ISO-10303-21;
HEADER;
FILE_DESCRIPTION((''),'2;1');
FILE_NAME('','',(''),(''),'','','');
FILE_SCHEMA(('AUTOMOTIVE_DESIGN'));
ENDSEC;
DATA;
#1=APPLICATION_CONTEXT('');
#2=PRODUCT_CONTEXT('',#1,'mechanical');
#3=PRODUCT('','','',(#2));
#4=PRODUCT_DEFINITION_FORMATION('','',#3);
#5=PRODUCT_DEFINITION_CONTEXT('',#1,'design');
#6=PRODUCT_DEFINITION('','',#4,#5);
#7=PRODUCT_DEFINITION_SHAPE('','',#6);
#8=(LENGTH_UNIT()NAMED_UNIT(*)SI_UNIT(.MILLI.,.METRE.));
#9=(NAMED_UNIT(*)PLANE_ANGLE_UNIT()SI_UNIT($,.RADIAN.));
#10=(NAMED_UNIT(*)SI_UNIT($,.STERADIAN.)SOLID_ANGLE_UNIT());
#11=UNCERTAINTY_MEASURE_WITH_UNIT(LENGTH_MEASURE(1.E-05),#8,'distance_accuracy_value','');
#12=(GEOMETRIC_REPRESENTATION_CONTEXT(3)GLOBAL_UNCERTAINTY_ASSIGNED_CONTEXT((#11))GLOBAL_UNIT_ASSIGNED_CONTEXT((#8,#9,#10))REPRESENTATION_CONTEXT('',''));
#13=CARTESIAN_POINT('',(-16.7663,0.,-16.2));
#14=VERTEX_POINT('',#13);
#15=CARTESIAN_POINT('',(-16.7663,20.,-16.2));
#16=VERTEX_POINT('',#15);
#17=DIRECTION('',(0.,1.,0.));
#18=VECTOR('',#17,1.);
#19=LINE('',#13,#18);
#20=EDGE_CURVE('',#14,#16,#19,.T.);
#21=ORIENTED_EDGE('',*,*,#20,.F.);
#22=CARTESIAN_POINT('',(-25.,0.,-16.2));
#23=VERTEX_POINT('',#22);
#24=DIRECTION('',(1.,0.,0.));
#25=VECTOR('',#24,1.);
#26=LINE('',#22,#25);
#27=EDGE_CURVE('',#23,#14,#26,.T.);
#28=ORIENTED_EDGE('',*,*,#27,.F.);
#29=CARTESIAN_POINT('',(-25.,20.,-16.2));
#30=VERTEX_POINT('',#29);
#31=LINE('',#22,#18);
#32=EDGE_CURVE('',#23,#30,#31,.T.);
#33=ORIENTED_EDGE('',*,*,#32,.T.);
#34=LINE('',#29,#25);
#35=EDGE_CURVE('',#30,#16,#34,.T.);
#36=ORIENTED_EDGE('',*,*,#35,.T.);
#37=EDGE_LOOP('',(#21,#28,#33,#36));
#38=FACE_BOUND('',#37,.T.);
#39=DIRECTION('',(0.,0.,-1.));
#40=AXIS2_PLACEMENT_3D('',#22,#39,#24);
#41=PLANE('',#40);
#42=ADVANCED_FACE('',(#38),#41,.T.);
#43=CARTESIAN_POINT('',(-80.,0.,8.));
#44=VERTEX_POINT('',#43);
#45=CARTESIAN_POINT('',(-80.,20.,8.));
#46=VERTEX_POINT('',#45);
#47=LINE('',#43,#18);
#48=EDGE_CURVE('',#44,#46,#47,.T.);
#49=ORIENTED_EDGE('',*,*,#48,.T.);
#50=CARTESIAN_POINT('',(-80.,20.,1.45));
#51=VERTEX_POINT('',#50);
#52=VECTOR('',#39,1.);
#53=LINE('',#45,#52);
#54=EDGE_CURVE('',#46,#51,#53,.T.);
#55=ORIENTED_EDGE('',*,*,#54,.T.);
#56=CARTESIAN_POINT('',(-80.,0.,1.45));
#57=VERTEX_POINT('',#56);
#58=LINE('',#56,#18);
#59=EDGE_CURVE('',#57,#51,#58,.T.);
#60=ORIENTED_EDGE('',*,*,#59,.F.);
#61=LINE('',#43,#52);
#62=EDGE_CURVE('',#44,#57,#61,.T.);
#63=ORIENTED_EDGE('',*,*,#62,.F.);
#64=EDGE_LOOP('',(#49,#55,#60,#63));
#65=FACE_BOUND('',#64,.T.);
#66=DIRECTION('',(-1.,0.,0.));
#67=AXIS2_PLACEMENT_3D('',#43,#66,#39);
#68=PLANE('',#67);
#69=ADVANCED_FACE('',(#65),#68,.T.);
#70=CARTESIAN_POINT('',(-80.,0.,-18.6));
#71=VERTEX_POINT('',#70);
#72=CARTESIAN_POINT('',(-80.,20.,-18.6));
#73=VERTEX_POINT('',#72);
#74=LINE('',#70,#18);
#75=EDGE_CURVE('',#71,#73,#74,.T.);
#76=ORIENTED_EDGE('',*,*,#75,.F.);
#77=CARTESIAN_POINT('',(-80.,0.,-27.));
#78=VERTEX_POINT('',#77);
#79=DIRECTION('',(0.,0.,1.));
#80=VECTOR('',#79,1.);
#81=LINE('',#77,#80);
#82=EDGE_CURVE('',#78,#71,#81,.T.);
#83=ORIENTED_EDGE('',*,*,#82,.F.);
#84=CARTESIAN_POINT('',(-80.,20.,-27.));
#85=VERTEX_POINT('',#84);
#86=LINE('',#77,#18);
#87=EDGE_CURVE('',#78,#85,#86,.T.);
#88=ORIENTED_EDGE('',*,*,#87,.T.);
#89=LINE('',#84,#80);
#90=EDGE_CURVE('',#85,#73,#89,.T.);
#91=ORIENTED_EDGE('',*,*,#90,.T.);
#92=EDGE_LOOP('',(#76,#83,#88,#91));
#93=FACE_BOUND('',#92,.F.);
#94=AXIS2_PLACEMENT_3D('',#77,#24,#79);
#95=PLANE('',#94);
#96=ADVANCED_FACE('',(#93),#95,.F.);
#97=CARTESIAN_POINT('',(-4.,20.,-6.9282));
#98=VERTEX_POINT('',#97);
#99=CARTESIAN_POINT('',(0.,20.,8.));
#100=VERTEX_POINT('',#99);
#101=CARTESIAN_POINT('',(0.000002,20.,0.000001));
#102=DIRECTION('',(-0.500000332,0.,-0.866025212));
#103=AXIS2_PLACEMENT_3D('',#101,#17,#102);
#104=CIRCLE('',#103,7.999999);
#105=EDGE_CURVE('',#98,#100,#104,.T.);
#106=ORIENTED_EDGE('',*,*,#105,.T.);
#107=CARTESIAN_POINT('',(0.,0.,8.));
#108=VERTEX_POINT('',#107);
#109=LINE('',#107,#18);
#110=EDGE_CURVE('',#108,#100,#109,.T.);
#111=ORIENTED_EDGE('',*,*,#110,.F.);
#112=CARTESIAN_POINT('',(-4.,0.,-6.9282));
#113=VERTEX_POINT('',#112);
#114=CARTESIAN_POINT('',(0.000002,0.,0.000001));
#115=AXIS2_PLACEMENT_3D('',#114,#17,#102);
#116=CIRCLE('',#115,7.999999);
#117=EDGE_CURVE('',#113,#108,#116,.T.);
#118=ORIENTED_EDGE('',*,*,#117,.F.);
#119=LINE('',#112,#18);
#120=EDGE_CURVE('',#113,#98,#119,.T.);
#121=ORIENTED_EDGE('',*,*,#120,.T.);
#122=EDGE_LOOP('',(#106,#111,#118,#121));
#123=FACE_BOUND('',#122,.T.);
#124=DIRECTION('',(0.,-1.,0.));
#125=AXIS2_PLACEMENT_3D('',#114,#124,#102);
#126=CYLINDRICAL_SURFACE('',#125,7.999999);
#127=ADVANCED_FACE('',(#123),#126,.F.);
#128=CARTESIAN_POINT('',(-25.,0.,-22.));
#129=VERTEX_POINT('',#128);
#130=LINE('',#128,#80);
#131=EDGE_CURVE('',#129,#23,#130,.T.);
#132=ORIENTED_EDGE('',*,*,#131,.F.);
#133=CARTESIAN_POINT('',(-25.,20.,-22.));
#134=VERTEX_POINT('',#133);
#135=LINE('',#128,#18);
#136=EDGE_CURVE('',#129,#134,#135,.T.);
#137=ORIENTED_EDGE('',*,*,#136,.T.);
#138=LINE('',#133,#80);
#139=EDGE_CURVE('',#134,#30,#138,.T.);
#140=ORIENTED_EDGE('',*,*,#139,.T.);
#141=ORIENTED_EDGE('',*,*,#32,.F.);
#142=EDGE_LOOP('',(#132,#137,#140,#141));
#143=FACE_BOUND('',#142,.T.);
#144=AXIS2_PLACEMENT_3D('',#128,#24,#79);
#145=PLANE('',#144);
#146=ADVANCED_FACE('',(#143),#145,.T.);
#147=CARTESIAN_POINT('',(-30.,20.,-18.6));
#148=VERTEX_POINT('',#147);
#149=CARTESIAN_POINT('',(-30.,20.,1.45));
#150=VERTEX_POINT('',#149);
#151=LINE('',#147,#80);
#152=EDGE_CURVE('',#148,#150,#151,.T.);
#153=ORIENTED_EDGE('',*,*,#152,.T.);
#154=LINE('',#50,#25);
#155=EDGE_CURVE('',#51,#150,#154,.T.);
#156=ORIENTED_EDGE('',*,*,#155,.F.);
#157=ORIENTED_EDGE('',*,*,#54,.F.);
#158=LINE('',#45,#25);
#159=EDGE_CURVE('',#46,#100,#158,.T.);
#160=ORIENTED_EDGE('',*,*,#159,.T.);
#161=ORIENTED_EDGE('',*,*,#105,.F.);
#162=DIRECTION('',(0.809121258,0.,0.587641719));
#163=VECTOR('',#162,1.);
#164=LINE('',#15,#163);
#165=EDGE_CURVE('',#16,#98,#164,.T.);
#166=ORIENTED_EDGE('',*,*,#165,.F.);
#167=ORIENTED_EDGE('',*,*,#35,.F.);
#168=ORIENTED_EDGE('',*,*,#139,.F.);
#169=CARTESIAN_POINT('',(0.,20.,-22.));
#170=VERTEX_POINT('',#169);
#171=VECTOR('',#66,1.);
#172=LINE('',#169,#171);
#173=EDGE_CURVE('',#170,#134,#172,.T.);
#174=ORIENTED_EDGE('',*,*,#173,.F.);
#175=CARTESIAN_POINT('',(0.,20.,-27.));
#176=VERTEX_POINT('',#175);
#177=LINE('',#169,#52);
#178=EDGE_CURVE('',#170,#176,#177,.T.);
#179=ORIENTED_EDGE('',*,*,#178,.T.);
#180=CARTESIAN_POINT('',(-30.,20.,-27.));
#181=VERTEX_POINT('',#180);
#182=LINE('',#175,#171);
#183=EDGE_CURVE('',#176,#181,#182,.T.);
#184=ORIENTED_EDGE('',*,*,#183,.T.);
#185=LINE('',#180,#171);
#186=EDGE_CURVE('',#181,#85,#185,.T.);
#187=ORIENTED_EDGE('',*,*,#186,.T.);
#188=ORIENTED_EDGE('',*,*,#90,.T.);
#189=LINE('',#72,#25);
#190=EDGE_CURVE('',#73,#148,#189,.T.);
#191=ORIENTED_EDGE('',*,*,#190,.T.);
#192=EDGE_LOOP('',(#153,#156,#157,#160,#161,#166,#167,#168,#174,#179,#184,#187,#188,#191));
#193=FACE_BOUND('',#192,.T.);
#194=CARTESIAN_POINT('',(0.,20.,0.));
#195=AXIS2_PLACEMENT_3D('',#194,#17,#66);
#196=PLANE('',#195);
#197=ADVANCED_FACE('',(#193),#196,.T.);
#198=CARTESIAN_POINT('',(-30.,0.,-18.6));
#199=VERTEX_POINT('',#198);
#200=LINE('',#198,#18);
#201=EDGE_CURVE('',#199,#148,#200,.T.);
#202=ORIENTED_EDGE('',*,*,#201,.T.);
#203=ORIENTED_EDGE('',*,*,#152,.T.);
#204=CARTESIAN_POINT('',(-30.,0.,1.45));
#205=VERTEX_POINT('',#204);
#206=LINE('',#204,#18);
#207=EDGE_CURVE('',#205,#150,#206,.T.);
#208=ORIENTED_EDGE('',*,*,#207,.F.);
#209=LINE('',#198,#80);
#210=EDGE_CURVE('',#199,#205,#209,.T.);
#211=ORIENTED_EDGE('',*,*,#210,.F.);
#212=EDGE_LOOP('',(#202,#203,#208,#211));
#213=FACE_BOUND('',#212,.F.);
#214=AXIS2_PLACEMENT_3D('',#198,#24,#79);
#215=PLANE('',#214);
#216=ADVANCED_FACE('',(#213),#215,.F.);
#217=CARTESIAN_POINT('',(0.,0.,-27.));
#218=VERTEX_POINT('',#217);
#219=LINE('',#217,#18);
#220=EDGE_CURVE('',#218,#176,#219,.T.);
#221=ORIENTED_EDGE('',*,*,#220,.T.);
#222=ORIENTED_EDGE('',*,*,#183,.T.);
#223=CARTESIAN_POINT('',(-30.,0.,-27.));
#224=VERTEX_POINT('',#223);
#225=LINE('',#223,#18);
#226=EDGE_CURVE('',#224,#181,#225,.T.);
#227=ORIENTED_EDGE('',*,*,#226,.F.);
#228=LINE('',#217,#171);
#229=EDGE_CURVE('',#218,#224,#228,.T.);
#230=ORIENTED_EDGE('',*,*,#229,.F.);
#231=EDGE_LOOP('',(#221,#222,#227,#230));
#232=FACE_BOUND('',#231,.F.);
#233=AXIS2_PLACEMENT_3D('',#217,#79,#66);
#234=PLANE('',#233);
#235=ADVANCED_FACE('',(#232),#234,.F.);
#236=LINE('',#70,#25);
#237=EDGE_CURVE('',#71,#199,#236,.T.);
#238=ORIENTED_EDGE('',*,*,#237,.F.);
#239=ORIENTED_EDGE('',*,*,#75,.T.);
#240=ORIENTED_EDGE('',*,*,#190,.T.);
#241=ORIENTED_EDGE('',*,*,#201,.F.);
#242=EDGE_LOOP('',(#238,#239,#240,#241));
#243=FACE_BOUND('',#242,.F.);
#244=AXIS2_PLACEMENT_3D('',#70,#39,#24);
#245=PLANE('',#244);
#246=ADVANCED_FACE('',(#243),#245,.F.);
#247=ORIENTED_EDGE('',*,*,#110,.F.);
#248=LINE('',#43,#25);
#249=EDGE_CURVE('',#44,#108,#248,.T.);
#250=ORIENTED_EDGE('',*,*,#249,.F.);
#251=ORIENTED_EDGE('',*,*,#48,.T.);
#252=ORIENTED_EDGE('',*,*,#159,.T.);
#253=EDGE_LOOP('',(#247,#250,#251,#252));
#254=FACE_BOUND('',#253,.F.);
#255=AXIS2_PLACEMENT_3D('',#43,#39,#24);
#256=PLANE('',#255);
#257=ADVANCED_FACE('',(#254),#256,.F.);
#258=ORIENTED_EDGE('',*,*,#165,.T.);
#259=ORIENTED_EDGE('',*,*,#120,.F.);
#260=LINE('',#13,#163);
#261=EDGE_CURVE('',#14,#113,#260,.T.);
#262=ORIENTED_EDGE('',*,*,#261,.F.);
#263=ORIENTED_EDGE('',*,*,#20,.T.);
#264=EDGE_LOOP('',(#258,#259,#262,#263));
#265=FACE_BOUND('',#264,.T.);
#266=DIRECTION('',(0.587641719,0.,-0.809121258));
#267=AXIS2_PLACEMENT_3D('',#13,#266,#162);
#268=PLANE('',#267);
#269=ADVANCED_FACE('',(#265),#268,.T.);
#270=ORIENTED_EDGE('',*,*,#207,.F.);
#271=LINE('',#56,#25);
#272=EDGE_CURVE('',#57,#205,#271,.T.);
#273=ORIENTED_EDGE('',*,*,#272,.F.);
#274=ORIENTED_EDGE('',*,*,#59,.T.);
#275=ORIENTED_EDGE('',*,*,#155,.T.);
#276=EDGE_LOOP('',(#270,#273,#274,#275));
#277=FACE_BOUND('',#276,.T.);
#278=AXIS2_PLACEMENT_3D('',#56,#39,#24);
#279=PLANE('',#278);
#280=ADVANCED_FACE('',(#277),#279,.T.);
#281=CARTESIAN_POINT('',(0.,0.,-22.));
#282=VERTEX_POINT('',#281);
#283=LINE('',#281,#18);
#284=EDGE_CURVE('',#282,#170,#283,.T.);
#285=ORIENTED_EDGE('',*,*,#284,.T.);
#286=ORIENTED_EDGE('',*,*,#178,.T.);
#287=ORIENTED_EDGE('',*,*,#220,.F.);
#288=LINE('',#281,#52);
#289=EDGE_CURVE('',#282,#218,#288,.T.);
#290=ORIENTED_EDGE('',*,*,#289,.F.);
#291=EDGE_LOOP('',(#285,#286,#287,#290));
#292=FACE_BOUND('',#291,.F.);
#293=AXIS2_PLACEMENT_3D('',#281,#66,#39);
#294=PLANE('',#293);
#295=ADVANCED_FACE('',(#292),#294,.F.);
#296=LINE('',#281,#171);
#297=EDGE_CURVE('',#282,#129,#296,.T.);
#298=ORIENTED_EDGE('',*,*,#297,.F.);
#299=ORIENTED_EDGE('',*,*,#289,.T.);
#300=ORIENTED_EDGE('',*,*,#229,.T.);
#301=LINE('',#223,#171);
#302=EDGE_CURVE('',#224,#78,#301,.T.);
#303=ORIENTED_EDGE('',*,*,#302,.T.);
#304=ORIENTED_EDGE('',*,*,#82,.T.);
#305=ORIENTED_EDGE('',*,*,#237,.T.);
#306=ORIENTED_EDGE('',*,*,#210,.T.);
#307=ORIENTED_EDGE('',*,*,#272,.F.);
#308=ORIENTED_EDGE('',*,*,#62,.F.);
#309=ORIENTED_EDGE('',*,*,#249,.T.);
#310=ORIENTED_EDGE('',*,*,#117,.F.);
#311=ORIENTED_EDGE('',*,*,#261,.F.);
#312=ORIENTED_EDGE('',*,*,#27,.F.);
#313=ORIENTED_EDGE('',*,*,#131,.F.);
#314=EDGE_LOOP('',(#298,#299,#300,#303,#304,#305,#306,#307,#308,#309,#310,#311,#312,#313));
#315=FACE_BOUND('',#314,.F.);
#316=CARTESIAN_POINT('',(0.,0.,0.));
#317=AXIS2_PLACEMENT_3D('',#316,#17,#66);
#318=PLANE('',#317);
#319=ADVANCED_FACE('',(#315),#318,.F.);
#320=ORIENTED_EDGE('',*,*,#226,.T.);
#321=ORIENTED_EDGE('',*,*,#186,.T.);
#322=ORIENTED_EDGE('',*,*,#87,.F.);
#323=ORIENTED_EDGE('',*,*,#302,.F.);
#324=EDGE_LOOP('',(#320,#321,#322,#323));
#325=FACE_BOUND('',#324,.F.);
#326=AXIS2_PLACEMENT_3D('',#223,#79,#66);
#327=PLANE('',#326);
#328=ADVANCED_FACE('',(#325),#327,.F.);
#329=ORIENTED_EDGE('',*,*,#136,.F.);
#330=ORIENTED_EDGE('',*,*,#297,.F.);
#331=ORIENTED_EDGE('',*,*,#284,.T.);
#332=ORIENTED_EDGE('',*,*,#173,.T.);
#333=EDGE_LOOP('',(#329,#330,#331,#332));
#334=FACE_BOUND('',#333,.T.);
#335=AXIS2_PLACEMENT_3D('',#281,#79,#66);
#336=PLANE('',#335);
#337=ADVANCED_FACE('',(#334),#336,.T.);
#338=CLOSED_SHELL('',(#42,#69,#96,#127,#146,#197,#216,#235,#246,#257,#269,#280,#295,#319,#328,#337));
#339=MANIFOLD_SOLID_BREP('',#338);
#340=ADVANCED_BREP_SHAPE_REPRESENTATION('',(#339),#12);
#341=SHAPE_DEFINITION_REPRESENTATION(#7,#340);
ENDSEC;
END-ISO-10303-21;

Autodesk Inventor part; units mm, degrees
ref_plane "YZ Plane" through (0, 0, 0) normal (1, 0, 0) x (0, 1, 0)
ref_plane "XZ Plane" through (0, 0, 0) normal (0, 1, 0) x (-1, 0, 0)
ref_plane "XY Plane" through (0, 0, 0) normal (0, 0, 1) x (1, 0, 0)
sketch "Skizze1" plane through (0, 0, 0) normal (0, 1, 0) x (-1, 0, 0)
  arc A0 (4, -6.9282) -> (0, 8) centre (0, 0) ccw
  line L0 (0, -22) -> (0, -27)
  line L1 (0, -27) -> (30, -27)
  line L2 (80, 8) -> (0, 8)
  line L3 (0, -22) -> (25, -22)
  line L4 (25, -22) -> (0, -22)
  line L5 (25, -22) -> (25, -16.2)
  line L6 (25, -16) -> (25, -22)
  line L7 (25, -16.2) -> (16.7663, -16.2)
  line L8 (16.7663, -16.2) -> (4, -6.9282)
  line L9 (30, -27) -> (80, -27)
  line L10 (80, -27) -> (80, -18.6)
  line L11 (80, -18.6) -> (30, -18.6)
  line L12 (80, 8) -> (80, 1.45)
  line L13 (80, 1.45) -> (30, 1.45)
  line L14 (30, -18.6) -> (30, 1.45)
  dimension "d0" = 5
  dimension "d9" = 50
  dimension "d10" = 8.4
  dimension "d12" = 20.05
extrude "Extrusion1" add sketch "Skizze1" along normal blind 20
properties part number "Halterung_MobileWhiteboard_V3"
